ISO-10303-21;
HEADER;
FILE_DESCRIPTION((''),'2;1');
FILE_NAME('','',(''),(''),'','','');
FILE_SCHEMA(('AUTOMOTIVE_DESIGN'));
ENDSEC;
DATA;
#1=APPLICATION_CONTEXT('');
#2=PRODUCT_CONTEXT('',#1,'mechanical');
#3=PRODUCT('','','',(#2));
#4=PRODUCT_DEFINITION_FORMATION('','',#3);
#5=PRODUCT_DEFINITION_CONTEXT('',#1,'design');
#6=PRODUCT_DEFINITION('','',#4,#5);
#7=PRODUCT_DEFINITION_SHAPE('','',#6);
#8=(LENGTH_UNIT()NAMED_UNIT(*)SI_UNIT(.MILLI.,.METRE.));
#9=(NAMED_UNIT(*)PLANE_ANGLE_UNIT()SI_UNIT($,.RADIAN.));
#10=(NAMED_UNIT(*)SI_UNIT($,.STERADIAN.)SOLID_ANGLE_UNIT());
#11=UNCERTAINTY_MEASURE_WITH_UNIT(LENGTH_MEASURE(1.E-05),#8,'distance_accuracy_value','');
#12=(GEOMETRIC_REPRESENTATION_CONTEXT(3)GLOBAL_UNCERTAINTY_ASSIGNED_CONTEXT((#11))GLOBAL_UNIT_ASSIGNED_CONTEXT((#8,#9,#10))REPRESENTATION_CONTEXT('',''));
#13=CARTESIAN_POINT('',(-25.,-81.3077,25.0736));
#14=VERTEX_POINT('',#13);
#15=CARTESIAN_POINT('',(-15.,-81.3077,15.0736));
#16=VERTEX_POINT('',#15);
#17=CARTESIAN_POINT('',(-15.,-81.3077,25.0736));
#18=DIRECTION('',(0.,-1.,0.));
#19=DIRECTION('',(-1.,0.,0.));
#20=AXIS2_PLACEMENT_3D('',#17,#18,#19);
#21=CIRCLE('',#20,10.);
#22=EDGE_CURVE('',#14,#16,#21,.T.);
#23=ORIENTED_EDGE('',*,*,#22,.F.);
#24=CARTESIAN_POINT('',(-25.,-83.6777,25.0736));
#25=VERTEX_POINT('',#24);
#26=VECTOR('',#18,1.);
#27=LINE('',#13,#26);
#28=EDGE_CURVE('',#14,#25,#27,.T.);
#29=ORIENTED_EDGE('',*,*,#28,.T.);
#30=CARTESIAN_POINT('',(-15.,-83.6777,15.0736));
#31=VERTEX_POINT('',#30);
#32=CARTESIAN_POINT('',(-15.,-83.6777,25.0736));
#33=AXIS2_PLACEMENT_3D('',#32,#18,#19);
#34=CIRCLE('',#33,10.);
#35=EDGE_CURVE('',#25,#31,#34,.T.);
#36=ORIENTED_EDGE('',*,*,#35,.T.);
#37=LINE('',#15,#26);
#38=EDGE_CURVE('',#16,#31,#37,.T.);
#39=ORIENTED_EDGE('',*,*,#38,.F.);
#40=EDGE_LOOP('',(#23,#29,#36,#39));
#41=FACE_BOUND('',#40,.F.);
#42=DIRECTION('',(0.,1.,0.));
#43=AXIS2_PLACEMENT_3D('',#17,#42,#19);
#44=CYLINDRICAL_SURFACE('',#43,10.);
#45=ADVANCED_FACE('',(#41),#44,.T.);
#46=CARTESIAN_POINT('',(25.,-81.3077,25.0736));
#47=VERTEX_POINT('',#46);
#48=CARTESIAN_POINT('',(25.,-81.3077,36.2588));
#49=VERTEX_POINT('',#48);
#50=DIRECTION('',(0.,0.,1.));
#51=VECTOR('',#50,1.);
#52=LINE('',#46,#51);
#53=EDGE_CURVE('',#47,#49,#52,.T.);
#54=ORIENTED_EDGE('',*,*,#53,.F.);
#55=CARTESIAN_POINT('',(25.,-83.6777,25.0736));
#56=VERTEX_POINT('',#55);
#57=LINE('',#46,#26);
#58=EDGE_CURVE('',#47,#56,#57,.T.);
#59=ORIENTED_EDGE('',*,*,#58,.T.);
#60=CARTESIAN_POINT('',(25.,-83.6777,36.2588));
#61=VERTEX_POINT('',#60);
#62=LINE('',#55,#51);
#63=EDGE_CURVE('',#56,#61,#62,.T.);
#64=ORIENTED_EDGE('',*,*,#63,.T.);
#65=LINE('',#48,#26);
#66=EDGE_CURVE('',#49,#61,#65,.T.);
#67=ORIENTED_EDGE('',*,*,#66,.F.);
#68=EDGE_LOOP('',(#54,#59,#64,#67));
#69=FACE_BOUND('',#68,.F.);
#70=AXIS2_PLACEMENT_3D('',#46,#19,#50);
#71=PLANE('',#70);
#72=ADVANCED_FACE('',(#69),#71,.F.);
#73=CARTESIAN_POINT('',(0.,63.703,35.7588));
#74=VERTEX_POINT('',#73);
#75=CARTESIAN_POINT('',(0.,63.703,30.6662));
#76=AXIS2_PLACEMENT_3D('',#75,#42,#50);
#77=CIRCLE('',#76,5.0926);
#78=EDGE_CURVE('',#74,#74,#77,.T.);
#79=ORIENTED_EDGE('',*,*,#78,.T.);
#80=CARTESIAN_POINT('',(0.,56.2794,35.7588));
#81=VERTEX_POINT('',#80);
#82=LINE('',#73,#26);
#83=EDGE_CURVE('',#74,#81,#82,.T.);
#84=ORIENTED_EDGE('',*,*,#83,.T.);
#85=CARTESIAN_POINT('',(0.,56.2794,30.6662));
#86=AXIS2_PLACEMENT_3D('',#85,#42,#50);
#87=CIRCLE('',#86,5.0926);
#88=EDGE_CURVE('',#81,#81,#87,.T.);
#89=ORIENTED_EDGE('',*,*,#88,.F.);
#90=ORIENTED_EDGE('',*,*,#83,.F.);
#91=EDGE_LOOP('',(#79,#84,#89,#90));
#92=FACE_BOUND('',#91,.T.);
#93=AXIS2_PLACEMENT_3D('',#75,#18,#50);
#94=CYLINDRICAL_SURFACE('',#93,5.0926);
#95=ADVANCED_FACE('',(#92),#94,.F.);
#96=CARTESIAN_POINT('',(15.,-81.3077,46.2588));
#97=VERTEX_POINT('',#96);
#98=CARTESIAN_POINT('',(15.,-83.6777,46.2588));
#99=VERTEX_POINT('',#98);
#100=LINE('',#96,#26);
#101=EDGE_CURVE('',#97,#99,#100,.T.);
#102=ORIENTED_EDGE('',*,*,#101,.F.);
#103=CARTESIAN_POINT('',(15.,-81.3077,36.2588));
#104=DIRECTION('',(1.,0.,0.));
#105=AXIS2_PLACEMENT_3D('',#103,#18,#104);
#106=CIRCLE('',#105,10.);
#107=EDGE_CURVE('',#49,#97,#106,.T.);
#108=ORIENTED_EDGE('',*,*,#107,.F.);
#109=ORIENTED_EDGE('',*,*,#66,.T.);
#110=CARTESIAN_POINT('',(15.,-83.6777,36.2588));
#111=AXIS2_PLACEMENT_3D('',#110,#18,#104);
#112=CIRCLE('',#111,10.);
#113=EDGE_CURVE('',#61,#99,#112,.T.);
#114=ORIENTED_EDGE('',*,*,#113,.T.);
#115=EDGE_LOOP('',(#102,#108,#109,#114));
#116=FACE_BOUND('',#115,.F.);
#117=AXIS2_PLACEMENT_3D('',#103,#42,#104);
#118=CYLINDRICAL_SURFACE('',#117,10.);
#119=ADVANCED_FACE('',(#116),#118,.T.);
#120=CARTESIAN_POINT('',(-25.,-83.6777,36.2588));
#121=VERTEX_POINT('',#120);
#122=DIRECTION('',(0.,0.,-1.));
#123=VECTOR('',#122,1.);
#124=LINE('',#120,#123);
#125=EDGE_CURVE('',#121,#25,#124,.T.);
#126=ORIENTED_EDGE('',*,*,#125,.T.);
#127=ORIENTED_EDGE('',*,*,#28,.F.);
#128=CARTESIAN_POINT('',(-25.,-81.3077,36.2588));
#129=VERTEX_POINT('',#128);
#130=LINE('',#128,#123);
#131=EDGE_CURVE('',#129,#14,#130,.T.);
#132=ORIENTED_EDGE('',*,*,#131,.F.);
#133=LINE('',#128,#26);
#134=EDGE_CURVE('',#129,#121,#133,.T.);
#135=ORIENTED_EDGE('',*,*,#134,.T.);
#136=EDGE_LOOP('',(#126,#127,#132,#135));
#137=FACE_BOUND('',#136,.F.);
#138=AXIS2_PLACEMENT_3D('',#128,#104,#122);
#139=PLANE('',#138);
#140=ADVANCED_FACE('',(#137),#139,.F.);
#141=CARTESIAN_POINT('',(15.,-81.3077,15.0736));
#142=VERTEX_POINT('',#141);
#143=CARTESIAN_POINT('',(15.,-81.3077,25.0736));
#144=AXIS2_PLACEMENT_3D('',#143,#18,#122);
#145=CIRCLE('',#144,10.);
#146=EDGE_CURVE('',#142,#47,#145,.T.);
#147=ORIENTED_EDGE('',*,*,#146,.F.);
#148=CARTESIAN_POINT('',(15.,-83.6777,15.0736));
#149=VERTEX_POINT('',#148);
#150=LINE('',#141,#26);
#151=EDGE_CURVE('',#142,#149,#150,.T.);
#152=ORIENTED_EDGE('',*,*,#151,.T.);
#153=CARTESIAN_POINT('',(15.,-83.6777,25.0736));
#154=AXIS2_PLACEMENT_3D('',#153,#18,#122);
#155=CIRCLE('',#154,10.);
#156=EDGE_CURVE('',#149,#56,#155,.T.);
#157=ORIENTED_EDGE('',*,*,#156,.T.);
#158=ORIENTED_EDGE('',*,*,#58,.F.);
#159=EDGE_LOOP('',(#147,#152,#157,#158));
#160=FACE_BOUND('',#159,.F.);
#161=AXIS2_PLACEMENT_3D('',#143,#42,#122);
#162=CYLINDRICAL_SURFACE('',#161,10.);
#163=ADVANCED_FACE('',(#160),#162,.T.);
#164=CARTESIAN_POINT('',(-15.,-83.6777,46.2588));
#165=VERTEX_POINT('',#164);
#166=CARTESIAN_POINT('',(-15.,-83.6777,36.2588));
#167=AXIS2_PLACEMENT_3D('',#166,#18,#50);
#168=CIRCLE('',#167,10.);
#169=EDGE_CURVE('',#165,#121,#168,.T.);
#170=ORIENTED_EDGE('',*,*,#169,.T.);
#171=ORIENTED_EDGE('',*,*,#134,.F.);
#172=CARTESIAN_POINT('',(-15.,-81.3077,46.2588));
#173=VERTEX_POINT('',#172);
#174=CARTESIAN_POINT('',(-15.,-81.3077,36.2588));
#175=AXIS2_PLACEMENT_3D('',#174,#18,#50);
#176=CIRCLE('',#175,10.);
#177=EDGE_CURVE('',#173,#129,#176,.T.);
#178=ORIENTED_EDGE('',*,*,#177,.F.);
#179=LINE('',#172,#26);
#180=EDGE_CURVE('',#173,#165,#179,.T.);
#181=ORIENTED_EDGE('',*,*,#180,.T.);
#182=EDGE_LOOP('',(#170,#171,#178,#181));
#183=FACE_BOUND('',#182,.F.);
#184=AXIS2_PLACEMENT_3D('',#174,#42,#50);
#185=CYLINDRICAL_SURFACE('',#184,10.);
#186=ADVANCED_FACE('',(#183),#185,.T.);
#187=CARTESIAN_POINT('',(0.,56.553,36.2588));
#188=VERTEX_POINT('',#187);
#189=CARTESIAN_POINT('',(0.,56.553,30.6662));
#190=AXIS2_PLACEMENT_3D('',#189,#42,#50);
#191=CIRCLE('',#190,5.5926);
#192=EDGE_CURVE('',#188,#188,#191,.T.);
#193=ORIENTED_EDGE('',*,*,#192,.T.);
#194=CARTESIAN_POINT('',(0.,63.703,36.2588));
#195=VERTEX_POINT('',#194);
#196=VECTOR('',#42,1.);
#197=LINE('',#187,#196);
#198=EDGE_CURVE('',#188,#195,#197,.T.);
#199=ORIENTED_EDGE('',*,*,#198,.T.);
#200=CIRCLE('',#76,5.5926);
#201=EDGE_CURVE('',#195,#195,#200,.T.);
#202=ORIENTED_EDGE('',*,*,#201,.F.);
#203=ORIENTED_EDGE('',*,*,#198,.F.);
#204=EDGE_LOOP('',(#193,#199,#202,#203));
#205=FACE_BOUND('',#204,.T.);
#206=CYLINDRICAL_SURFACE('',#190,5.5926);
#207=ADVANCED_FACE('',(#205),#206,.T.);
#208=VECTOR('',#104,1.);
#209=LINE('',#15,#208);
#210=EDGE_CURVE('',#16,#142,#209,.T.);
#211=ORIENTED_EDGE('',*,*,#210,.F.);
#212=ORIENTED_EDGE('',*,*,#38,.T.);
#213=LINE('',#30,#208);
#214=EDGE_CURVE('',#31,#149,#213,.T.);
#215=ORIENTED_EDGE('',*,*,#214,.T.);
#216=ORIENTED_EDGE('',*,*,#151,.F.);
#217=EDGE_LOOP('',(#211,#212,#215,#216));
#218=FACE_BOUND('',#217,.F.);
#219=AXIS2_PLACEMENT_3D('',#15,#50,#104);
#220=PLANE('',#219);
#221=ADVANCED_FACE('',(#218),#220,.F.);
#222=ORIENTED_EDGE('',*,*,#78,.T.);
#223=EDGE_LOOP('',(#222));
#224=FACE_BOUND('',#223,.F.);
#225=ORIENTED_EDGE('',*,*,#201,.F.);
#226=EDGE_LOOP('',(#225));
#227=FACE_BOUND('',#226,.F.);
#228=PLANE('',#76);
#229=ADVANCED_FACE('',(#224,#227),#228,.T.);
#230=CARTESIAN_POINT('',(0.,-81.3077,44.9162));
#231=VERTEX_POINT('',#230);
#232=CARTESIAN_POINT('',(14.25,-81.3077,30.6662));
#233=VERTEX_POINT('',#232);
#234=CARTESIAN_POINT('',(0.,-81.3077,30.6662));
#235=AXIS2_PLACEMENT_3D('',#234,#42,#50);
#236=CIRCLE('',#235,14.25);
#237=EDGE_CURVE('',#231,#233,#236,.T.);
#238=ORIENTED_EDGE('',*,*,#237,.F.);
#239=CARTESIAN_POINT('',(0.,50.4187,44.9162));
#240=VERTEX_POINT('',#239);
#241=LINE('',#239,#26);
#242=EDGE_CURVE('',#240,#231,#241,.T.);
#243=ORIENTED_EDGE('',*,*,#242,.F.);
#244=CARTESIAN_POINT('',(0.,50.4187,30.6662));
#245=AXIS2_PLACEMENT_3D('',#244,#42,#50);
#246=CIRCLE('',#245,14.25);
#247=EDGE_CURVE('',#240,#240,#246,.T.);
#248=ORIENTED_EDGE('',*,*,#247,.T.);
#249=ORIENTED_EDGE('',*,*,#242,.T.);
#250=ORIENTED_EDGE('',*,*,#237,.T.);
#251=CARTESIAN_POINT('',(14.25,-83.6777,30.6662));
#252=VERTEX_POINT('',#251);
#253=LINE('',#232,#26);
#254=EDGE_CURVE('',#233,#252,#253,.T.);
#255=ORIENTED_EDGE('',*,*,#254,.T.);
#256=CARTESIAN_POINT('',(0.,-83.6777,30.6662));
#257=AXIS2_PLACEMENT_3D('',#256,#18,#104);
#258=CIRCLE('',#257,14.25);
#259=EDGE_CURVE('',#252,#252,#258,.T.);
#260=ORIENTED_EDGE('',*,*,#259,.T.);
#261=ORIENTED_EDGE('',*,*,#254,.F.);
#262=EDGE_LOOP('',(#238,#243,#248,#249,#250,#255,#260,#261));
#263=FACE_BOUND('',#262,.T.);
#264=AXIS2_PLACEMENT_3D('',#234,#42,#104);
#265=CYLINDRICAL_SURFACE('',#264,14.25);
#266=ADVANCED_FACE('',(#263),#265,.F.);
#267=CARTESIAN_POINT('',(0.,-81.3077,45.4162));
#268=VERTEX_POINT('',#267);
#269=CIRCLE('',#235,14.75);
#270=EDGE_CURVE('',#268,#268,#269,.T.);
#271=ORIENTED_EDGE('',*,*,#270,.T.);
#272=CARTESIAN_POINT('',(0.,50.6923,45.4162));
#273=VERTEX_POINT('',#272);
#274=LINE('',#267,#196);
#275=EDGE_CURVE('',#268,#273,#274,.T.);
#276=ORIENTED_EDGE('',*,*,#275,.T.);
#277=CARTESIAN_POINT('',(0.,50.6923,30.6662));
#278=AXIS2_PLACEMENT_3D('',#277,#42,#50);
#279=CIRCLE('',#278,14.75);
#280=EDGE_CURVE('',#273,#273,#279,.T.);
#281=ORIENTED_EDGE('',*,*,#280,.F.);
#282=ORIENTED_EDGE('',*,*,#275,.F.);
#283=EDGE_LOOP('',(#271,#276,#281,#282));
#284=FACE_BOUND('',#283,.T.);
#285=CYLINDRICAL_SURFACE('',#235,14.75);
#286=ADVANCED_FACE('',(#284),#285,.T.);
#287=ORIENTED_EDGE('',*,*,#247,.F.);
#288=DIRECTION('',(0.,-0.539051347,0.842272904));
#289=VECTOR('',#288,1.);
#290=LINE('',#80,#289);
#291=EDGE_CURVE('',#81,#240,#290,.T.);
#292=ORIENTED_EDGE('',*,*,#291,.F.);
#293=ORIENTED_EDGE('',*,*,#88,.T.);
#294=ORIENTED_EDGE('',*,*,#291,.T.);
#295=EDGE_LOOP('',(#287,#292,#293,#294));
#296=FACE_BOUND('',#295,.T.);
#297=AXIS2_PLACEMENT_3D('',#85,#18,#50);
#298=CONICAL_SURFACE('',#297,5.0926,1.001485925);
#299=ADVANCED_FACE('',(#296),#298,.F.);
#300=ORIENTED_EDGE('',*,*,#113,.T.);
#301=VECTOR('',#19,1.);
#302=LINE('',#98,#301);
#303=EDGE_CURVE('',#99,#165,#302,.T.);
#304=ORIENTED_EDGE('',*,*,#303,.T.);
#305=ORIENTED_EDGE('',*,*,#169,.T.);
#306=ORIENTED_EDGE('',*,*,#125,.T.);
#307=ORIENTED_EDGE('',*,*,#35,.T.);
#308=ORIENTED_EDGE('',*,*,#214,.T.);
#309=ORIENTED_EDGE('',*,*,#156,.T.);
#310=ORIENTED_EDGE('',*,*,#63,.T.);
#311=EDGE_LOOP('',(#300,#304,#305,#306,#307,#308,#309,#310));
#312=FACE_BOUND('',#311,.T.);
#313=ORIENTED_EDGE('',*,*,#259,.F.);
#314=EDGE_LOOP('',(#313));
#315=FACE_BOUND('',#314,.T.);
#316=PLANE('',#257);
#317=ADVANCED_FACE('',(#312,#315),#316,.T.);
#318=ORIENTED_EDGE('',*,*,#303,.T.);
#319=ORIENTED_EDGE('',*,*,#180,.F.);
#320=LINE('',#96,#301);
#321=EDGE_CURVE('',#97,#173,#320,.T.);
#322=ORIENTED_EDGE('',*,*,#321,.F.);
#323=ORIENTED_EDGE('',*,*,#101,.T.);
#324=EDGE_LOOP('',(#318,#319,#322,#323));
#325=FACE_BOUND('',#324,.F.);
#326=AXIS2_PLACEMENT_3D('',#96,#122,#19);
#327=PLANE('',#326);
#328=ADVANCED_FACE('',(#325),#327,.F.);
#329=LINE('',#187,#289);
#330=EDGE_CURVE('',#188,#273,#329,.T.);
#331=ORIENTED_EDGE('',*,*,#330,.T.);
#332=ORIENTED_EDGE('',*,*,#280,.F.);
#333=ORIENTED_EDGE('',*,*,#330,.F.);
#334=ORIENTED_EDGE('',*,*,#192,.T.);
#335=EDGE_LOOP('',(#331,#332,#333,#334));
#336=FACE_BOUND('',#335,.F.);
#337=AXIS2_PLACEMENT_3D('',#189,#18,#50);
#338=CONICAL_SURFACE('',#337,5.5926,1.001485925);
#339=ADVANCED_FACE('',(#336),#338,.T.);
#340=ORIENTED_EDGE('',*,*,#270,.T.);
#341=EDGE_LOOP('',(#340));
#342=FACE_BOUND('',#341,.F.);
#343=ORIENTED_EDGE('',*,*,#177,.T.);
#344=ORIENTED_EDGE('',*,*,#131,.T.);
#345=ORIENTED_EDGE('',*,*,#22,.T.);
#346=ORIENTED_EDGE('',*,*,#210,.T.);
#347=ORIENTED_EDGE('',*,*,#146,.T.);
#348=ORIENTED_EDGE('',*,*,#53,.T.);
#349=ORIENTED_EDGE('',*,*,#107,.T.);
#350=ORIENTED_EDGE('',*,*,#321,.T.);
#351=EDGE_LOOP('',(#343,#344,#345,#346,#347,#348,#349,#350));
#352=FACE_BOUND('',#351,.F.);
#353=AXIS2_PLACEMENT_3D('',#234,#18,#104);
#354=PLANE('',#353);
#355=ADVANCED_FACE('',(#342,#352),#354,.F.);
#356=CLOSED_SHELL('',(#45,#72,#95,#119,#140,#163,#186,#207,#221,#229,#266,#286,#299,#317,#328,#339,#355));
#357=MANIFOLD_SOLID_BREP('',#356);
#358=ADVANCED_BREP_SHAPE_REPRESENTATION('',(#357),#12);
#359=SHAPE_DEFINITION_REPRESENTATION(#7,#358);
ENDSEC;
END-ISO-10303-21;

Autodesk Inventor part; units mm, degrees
ref_plane "YZ Plane" through (0, 0, 0) normal (1, 0, 0) x (0, 1, 0)
ref_plane "XZ Plane" through (0, 0, 0) normal (0, 1, 0) x (-1, 0, 0)
ref_plane "XY Plane" through (0, 0, 0) normal (0, 0, 1) x (1, 0, 0)
sketch "Sketch1" plane through (0, 0, 0) normal (1, 0, 0) x (0, 1, 0)
  line L0 (-81.3077, 45.4162) -> (50.6923, 45.4162)
  line L1 (56.553, 36.2588) -> (50.6923, 45.4162)
  line L2 (56.553, 36.2588) -> (63.703, 36.2588)
  line L3 (30.7678, 30.6662) -> (60.128, 30.6662)
  line L4 (63.703, 35.7588) -> (56.2794, 35.7588)
  line L5 (56.2794, 35.7588) -> (50.4187, 44.9162)
  line L6 (50.4187, 44.9162) -> (-81.3077, 44.9162)
  line L7 (63.703, 35.7588) -> (63.703, 36.2588)
  line L8 (-81.3077, 44.9162) -> (-81.3077, 45.4162)
  dimension "d26" = 132
  dimension "d29" = 7.15
  dimension "d31" = 0.5
  dimension "d38" = 29.5
revolve "Revolution1" add sketch "Sketch1" angle 360 about axis through (0, 30.7678, 30.6662) along (0, 1, 0)
sketch "Sketch2" plane through (0, -81.3077, 30.6662) normal (0, -1, 0) x (1, 0, 0)
  point P0 (0, -30.6662)
sketch "Sketch3" plane through (0, -81.3077, 30.6662) normal (0, -1, 0) x (1, 0, 0)
  line L0 (15, 15.5926) -> (-15, 15.5926)
  line L1 (-25, 5.5926) -> (-25, -5.5926)
  line L2 (-15, -15.5926) -> (15, -15.5926)
  line L3 (25, -5.5926) -> (25, 5.5926)
  arc A0 (-15, 15.5926) -> (-25, 5.5926) centre (-15, 5.5926) ccw
  arc A1 (-25, -5.5926) -> (-15, -15.5926) centre (-15, -5.5926) ccw
  arc A2 (15, -15.5926) -> (25, -5.5926) centre (15, -5.5926) ccw
  arc A3 (25, 5.5926) -> (15, 15.5926) centre (15, 5.5926) ccw
  circle A4 centre (0, 0) radius 14.25 projected
  circle A5 centre (0, 0) radius 5.0926 projected
  point P0 (0, -30.6662)
  point P1 (-25, -15.5926)
  point P2 (25, -15.5926)
  dimension "d34" = 50
  dimension "d35" = 10
extrude "Extrusion2" add sketch "Sketch3" along normal blind 2.37 contours A3 L3 A2 L2 A1 L1 A0 L0
properties part number "motor mount"
